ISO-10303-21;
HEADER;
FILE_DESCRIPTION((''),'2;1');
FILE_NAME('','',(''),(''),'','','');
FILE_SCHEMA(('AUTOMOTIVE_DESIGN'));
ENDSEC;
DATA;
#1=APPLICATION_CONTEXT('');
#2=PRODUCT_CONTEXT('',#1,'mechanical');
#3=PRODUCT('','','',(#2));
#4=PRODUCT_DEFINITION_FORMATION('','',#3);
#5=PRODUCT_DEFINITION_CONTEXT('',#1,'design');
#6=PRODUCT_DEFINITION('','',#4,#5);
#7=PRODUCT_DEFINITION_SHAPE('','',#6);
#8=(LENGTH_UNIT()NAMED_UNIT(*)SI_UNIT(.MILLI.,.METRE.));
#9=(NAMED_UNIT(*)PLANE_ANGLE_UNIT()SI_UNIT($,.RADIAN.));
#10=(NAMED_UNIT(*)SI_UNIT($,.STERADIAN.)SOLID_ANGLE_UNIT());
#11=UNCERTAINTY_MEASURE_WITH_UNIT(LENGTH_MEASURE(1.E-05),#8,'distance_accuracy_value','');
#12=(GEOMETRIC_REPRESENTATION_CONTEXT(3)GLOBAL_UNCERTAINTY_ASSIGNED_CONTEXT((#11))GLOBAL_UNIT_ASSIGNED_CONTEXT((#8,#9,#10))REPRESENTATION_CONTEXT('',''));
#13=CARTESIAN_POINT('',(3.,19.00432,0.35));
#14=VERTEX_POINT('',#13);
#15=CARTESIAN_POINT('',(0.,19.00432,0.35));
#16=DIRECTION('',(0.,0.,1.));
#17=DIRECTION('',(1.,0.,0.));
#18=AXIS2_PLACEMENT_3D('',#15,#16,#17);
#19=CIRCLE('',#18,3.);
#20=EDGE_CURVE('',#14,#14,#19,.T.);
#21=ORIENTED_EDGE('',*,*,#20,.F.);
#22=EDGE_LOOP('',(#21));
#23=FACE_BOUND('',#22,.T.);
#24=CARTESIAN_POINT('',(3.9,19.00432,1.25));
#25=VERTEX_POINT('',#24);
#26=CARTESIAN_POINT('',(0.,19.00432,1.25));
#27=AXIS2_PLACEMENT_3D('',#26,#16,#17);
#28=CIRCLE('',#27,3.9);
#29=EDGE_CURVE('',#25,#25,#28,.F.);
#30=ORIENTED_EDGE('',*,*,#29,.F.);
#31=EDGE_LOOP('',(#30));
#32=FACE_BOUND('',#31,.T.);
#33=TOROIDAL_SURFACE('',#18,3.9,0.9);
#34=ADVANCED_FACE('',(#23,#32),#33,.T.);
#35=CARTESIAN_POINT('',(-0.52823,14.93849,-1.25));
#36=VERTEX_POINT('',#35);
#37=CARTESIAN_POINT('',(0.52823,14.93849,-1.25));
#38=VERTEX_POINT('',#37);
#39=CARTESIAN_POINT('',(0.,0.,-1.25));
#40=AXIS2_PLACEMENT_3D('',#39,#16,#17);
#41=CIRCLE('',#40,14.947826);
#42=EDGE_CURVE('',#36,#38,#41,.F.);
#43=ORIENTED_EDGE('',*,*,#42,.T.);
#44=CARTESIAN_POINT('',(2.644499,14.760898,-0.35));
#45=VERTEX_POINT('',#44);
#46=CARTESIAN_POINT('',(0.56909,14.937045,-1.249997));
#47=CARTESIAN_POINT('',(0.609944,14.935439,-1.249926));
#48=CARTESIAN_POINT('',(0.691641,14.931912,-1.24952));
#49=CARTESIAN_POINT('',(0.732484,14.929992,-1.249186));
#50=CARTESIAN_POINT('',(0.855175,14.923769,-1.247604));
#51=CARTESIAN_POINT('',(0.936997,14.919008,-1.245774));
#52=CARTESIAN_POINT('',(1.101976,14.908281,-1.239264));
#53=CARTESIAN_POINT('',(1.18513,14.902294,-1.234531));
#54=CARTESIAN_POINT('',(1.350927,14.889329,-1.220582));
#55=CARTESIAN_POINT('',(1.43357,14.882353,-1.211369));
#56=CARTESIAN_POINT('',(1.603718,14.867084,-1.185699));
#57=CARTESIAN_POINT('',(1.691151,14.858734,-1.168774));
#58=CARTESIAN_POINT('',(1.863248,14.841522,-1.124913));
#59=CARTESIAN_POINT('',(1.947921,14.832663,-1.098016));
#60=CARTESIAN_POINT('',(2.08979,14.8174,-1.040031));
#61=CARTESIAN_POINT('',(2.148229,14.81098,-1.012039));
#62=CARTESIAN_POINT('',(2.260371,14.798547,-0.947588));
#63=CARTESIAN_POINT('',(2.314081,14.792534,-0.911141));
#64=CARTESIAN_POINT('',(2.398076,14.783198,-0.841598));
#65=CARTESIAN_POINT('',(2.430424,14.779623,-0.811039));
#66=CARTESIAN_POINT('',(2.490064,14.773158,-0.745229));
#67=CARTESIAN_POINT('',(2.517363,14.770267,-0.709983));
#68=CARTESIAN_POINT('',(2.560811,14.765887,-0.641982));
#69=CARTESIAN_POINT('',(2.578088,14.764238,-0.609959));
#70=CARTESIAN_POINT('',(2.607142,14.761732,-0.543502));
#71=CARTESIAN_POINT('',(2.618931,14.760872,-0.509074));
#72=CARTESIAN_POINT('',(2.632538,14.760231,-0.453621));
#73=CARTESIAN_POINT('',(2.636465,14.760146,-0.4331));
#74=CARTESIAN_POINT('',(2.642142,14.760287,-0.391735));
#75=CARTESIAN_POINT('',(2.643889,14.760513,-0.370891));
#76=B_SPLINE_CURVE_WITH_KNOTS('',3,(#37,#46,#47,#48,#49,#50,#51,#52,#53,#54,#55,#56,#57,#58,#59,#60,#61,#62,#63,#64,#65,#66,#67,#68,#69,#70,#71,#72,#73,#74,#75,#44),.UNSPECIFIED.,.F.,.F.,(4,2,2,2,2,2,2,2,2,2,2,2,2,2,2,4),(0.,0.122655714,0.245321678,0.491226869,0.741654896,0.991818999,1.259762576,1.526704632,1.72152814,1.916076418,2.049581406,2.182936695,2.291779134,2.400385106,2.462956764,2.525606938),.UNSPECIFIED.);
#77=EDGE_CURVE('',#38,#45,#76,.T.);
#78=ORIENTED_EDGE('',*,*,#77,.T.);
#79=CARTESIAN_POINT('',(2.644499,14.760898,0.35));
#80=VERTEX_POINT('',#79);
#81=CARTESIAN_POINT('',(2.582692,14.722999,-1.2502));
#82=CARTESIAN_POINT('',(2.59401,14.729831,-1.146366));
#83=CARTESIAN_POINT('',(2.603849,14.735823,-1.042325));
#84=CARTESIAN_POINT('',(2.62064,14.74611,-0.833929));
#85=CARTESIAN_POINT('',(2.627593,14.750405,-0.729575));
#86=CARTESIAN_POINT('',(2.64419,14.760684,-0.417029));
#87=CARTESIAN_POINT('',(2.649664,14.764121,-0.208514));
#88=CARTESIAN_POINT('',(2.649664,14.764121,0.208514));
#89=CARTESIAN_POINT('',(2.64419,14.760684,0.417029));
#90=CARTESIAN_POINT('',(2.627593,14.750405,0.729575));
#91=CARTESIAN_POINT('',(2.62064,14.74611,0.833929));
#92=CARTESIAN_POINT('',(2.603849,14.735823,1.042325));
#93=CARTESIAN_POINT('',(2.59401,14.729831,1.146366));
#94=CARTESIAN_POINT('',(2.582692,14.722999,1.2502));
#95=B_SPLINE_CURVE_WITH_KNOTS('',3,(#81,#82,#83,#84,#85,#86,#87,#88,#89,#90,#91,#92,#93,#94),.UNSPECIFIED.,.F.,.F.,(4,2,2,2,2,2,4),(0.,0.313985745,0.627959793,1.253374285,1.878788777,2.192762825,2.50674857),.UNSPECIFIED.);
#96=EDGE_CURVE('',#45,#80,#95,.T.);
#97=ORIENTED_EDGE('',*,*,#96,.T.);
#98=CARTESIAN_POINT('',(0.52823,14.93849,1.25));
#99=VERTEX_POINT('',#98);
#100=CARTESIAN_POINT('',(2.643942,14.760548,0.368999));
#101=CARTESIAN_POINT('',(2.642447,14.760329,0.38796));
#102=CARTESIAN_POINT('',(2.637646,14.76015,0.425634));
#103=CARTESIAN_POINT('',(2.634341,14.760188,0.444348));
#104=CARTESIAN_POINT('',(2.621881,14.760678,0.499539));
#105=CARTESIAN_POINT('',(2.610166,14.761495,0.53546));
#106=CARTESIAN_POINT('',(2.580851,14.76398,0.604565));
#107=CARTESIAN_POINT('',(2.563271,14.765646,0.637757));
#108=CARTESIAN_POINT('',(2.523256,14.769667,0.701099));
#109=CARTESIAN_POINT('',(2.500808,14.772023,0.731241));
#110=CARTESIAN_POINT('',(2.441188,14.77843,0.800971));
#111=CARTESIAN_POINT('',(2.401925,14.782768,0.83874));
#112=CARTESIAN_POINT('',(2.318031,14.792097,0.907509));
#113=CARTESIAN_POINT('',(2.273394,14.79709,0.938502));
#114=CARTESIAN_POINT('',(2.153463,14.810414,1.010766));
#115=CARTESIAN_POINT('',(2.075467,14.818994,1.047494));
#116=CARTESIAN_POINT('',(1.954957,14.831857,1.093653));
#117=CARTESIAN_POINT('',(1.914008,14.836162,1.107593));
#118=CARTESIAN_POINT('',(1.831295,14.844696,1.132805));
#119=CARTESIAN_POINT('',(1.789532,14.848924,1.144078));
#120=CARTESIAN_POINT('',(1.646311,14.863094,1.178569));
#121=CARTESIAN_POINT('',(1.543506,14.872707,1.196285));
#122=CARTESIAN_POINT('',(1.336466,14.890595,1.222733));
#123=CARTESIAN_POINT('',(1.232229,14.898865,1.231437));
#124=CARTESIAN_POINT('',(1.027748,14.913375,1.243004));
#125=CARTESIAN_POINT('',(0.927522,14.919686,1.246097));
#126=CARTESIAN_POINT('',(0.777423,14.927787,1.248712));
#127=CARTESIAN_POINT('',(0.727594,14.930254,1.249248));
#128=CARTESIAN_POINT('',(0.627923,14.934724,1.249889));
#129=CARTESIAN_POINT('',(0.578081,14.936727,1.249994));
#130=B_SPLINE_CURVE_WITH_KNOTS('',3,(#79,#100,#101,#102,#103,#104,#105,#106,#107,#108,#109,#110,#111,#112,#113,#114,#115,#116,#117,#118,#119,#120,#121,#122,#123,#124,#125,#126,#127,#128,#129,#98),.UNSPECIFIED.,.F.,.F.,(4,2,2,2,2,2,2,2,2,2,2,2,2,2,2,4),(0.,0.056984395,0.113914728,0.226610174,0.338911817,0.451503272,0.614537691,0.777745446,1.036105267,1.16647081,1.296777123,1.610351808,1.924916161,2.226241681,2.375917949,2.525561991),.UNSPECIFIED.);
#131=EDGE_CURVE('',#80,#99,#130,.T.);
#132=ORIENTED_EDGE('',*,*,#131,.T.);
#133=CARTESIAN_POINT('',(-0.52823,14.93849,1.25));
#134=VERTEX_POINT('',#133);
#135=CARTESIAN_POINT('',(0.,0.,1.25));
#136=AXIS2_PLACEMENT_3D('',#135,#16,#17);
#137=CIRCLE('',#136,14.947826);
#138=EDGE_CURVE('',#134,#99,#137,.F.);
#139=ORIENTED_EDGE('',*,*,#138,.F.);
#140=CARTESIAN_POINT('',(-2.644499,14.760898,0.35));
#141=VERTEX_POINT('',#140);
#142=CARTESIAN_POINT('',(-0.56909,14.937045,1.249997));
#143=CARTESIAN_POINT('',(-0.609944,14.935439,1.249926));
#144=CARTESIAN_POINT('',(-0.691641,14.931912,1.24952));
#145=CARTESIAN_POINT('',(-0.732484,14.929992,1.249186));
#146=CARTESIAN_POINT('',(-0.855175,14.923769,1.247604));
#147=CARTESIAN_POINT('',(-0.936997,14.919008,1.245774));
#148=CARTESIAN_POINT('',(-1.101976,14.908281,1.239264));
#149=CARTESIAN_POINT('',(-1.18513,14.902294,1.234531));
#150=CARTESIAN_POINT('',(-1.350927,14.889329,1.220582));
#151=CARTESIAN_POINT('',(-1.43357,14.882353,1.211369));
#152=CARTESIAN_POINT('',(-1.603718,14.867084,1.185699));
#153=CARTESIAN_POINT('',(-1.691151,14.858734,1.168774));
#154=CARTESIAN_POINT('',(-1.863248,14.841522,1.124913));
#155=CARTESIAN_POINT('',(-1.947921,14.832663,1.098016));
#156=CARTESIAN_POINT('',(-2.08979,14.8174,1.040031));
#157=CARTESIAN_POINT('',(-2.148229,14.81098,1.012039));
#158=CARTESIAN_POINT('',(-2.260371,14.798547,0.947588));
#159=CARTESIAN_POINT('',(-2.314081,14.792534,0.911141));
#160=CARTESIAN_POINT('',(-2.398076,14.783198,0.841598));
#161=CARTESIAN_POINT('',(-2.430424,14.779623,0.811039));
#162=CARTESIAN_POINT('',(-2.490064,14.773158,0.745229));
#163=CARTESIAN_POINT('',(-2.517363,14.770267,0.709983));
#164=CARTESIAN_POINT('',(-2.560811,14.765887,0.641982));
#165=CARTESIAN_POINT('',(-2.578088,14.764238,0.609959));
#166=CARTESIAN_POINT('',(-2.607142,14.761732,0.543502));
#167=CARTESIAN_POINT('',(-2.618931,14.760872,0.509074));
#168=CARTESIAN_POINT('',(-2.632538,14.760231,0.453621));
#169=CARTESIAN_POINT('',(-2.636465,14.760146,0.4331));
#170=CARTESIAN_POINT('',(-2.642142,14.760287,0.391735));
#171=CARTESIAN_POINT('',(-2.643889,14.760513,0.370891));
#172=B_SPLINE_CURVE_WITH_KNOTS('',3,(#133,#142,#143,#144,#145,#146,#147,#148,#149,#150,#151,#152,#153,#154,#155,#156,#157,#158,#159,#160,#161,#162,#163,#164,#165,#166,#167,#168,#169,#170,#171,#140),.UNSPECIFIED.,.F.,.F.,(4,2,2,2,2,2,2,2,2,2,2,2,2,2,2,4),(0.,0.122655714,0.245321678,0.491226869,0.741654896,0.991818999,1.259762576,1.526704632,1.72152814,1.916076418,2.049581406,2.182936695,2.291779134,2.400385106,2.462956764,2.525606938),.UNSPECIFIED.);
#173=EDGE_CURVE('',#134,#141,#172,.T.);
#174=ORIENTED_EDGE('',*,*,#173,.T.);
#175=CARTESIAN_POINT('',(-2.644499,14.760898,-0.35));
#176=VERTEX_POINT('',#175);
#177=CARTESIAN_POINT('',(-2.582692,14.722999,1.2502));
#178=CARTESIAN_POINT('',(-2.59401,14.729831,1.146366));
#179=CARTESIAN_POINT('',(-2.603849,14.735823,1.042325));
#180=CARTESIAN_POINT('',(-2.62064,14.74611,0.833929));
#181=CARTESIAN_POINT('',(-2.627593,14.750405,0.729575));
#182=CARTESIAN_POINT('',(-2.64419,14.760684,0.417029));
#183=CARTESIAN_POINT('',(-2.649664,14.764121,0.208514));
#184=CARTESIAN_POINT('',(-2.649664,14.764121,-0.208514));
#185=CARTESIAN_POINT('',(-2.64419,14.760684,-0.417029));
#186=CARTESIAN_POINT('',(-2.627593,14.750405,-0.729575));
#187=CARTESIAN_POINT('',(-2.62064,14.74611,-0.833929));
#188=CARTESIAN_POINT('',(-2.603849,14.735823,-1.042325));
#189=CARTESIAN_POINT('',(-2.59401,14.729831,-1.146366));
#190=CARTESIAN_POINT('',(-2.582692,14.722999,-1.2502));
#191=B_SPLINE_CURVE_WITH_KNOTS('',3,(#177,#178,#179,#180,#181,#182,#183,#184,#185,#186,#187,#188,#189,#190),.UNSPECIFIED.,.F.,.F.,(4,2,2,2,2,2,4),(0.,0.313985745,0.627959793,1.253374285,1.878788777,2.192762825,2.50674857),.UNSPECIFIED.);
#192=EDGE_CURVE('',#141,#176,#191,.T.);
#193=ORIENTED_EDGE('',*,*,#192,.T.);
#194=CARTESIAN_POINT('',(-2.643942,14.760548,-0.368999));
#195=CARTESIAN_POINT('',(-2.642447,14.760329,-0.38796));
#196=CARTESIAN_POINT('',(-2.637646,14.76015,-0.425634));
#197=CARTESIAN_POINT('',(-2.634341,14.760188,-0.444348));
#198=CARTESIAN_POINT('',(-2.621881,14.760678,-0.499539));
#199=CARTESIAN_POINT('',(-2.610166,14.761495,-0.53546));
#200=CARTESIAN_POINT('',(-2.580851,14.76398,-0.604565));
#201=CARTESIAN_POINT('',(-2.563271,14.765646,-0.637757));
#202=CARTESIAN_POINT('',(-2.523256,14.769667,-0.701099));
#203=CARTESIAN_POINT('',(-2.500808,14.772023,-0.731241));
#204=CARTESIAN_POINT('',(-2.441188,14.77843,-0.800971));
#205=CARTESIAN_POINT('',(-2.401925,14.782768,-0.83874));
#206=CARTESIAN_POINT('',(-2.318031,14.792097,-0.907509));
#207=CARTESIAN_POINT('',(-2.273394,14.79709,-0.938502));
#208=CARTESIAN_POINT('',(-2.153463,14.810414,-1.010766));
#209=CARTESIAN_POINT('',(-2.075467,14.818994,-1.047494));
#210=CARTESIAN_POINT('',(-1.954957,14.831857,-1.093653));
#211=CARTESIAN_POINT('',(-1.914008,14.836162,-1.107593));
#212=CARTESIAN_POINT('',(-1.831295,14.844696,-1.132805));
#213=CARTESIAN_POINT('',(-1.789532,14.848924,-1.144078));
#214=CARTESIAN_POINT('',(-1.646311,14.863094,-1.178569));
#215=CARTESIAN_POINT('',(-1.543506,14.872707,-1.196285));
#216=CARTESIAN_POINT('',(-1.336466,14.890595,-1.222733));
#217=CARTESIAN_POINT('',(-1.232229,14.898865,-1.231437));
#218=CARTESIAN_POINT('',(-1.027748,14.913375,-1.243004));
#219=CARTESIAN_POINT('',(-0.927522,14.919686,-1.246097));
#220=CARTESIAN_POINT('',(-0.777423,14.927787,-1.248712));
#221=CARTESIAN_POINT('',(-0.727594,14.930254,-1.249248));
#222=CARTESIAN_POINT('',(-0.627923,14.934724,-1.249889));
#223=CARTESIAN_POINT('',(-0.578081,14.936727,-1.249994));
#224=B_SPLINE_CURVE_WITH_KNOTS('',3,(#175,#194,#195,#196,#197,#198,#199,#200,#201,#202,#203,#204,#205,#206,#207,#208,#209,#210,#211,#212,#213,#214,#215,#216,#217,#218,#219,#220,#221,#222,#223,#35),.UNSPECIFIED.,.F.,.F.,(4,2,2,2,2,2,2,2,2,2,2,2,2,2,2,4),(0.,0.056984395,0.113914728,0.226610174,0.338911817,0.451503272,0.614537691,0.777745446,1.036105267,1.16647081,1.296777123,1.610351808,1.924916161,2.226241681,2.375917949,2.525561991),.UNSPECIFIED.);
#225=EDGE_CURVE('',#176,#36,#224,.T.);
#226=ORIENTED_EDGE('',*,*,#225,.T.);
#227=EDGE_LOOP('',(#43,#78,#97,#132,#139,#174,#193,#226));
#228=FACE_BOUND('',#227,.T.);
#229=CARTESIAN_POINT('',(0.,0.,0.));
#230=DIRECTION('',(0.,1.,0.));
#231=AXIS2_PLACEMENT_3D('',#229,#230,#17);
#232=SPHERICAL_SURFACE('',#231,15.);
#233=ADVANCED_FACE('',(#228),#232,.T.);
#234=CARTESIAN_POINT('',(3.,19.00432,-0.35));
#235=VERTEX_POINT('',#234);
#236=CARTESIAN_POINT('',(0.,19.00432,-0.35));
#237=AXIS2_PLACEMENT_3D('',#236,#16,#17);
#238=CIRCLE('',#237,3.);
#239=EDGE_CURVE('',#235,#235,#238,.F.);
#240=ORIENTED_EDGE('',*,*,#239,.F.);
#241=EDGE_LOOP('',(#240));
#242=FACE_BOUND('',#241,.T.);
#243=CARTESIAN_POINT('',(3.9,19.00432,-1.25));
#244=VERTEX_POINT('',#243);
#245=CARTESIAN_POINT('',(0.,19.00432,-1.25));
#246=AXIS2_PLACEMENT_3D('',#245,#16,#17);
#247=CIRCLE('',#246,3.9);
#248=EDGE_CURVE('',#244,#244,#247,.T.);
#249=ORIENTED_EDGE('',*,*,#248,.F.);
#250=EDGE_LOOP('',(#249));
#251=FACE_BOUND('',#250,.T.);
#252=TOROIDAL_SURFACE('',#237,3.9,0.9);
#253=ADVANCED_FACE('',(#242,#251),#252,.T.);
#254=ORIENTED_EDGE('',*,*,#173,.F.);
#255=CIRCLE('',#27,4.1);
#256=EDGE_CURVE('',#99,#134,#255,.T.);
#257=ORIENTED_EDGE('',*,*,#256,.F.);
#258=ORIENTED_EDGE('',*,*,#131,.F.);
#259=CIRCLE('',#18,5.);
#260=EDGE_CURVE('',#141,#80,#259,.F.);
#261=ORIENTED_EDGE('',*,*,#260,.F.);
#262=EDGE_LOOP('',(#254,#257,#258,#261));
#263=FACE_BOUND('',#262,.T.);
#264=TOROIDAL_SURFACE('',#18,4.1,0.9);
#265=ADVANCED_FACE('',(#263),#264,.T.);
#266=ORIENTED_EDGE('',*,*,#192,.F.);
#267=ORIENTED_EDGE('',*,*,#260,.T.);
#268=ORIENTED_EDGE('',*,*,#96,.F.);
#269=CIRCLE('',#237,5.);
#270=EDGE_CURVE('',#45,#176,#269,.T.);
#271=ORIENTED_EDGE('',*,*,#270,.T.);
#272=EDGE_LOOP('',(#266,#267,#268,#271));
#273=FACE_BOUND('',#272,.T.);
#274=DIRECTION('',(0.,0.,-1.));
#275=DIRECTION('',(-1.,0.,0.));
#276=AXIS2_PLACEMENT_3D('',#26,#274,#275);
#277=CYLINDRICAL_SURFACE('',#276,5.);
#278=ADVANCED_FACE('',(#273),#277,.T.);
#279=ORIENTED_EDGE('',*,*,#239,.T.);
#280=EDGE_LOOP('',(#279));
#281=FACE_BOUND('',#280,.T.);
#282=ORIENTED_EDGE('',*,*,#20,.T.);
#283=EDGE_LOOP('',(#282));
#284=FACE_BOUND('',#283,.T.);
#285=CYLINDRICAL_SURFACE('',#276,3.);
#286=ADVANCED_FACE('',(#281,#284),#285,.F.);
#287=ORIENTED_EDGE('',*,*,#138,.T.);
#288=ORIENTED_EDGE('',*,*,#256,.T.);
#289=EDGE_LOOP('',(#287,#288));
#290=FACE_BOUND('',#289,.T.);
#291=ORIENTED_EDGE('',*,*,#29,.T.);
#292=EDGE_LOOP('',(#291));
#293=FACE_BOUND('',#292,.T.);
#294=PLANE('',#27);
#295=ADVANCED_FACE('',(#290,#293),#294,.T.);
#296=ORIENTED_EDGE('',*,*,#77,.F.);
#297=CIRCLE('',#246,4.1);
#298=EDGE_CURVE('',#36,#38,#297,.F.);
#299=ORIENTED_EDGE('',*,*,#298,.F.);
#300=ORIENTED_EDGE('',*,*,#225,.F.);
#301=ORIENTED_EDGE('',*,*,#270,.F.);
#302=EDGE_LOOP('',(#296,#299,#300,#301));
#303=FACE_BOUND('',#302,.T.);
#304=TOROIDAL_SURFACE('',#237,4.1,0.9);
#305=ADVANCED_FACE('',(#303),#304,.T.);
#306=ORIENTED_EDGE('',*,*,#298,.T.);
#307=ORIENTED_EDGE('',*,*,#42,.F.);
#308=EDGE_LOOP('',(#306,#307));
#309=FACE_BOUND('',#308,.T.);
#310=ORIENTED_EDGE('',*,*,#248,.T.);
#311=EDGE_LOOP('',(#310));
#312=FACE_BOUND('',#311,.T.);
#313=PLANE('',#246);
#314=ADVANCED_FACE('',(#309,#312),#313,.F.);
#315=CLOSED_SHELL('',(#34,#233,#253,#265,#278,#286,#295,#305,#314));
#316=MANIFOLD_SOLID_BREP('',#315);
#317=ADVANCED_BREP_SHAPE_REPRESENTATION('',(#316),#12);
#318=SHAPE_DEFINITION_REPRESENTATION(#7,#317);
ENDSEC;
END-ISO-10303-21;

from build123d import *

# Parameters (mm, degrees)
SCHIZZO2_R                   = 5
SCHIZZO2_R_2                 = 3
ESTRUSIONE_ESTRUSIONE1_DEPTH = 1.25
RACCORDO4_R                  = 0.9


with BuildPart() as part:
    # Schizzo1 → Rivoluzione8 (revolve)
    with BuildSketch(Plane.XY):
        with BuildLine():
            Line((0, -15), (0, 15))
            ThreePointArc((0, 15), (-15, 0), (0, -15))
        make_face()
    revolve(axis=Axis((0, 32.442859412, 0), (0, -1, 0)))

    # Schizzo2 → Estrusione-Estrusione1 (add, symmetric)
    with BuildSketch(Plane.XY):
        with Locations((0, 19.00431954)):
            Circle(SCHIZZO2_R)
        with Locations((0, 19.00431954)):
            Circle(SCHIZZO2_R_2, mode=Mode.SUBTRACT)
    extrude(amount=ESTRUSIONE_ESTRUSIONE1_DEPTH, both=True)

    # Raccordo4
    raccordo4_edges = [part.edges().sort_by_distance(p)[0] for p in [
        (-3, 19.00431954, 1.25),
        (-3, 19.00431954, -1.25),
        (0, 24.00431954, -1.25),
        (0, 24.00431954, 1.25),
    ]]
    fillet(raccordo4_edges, radius=RACCORDO4_R)


solid = part.part
